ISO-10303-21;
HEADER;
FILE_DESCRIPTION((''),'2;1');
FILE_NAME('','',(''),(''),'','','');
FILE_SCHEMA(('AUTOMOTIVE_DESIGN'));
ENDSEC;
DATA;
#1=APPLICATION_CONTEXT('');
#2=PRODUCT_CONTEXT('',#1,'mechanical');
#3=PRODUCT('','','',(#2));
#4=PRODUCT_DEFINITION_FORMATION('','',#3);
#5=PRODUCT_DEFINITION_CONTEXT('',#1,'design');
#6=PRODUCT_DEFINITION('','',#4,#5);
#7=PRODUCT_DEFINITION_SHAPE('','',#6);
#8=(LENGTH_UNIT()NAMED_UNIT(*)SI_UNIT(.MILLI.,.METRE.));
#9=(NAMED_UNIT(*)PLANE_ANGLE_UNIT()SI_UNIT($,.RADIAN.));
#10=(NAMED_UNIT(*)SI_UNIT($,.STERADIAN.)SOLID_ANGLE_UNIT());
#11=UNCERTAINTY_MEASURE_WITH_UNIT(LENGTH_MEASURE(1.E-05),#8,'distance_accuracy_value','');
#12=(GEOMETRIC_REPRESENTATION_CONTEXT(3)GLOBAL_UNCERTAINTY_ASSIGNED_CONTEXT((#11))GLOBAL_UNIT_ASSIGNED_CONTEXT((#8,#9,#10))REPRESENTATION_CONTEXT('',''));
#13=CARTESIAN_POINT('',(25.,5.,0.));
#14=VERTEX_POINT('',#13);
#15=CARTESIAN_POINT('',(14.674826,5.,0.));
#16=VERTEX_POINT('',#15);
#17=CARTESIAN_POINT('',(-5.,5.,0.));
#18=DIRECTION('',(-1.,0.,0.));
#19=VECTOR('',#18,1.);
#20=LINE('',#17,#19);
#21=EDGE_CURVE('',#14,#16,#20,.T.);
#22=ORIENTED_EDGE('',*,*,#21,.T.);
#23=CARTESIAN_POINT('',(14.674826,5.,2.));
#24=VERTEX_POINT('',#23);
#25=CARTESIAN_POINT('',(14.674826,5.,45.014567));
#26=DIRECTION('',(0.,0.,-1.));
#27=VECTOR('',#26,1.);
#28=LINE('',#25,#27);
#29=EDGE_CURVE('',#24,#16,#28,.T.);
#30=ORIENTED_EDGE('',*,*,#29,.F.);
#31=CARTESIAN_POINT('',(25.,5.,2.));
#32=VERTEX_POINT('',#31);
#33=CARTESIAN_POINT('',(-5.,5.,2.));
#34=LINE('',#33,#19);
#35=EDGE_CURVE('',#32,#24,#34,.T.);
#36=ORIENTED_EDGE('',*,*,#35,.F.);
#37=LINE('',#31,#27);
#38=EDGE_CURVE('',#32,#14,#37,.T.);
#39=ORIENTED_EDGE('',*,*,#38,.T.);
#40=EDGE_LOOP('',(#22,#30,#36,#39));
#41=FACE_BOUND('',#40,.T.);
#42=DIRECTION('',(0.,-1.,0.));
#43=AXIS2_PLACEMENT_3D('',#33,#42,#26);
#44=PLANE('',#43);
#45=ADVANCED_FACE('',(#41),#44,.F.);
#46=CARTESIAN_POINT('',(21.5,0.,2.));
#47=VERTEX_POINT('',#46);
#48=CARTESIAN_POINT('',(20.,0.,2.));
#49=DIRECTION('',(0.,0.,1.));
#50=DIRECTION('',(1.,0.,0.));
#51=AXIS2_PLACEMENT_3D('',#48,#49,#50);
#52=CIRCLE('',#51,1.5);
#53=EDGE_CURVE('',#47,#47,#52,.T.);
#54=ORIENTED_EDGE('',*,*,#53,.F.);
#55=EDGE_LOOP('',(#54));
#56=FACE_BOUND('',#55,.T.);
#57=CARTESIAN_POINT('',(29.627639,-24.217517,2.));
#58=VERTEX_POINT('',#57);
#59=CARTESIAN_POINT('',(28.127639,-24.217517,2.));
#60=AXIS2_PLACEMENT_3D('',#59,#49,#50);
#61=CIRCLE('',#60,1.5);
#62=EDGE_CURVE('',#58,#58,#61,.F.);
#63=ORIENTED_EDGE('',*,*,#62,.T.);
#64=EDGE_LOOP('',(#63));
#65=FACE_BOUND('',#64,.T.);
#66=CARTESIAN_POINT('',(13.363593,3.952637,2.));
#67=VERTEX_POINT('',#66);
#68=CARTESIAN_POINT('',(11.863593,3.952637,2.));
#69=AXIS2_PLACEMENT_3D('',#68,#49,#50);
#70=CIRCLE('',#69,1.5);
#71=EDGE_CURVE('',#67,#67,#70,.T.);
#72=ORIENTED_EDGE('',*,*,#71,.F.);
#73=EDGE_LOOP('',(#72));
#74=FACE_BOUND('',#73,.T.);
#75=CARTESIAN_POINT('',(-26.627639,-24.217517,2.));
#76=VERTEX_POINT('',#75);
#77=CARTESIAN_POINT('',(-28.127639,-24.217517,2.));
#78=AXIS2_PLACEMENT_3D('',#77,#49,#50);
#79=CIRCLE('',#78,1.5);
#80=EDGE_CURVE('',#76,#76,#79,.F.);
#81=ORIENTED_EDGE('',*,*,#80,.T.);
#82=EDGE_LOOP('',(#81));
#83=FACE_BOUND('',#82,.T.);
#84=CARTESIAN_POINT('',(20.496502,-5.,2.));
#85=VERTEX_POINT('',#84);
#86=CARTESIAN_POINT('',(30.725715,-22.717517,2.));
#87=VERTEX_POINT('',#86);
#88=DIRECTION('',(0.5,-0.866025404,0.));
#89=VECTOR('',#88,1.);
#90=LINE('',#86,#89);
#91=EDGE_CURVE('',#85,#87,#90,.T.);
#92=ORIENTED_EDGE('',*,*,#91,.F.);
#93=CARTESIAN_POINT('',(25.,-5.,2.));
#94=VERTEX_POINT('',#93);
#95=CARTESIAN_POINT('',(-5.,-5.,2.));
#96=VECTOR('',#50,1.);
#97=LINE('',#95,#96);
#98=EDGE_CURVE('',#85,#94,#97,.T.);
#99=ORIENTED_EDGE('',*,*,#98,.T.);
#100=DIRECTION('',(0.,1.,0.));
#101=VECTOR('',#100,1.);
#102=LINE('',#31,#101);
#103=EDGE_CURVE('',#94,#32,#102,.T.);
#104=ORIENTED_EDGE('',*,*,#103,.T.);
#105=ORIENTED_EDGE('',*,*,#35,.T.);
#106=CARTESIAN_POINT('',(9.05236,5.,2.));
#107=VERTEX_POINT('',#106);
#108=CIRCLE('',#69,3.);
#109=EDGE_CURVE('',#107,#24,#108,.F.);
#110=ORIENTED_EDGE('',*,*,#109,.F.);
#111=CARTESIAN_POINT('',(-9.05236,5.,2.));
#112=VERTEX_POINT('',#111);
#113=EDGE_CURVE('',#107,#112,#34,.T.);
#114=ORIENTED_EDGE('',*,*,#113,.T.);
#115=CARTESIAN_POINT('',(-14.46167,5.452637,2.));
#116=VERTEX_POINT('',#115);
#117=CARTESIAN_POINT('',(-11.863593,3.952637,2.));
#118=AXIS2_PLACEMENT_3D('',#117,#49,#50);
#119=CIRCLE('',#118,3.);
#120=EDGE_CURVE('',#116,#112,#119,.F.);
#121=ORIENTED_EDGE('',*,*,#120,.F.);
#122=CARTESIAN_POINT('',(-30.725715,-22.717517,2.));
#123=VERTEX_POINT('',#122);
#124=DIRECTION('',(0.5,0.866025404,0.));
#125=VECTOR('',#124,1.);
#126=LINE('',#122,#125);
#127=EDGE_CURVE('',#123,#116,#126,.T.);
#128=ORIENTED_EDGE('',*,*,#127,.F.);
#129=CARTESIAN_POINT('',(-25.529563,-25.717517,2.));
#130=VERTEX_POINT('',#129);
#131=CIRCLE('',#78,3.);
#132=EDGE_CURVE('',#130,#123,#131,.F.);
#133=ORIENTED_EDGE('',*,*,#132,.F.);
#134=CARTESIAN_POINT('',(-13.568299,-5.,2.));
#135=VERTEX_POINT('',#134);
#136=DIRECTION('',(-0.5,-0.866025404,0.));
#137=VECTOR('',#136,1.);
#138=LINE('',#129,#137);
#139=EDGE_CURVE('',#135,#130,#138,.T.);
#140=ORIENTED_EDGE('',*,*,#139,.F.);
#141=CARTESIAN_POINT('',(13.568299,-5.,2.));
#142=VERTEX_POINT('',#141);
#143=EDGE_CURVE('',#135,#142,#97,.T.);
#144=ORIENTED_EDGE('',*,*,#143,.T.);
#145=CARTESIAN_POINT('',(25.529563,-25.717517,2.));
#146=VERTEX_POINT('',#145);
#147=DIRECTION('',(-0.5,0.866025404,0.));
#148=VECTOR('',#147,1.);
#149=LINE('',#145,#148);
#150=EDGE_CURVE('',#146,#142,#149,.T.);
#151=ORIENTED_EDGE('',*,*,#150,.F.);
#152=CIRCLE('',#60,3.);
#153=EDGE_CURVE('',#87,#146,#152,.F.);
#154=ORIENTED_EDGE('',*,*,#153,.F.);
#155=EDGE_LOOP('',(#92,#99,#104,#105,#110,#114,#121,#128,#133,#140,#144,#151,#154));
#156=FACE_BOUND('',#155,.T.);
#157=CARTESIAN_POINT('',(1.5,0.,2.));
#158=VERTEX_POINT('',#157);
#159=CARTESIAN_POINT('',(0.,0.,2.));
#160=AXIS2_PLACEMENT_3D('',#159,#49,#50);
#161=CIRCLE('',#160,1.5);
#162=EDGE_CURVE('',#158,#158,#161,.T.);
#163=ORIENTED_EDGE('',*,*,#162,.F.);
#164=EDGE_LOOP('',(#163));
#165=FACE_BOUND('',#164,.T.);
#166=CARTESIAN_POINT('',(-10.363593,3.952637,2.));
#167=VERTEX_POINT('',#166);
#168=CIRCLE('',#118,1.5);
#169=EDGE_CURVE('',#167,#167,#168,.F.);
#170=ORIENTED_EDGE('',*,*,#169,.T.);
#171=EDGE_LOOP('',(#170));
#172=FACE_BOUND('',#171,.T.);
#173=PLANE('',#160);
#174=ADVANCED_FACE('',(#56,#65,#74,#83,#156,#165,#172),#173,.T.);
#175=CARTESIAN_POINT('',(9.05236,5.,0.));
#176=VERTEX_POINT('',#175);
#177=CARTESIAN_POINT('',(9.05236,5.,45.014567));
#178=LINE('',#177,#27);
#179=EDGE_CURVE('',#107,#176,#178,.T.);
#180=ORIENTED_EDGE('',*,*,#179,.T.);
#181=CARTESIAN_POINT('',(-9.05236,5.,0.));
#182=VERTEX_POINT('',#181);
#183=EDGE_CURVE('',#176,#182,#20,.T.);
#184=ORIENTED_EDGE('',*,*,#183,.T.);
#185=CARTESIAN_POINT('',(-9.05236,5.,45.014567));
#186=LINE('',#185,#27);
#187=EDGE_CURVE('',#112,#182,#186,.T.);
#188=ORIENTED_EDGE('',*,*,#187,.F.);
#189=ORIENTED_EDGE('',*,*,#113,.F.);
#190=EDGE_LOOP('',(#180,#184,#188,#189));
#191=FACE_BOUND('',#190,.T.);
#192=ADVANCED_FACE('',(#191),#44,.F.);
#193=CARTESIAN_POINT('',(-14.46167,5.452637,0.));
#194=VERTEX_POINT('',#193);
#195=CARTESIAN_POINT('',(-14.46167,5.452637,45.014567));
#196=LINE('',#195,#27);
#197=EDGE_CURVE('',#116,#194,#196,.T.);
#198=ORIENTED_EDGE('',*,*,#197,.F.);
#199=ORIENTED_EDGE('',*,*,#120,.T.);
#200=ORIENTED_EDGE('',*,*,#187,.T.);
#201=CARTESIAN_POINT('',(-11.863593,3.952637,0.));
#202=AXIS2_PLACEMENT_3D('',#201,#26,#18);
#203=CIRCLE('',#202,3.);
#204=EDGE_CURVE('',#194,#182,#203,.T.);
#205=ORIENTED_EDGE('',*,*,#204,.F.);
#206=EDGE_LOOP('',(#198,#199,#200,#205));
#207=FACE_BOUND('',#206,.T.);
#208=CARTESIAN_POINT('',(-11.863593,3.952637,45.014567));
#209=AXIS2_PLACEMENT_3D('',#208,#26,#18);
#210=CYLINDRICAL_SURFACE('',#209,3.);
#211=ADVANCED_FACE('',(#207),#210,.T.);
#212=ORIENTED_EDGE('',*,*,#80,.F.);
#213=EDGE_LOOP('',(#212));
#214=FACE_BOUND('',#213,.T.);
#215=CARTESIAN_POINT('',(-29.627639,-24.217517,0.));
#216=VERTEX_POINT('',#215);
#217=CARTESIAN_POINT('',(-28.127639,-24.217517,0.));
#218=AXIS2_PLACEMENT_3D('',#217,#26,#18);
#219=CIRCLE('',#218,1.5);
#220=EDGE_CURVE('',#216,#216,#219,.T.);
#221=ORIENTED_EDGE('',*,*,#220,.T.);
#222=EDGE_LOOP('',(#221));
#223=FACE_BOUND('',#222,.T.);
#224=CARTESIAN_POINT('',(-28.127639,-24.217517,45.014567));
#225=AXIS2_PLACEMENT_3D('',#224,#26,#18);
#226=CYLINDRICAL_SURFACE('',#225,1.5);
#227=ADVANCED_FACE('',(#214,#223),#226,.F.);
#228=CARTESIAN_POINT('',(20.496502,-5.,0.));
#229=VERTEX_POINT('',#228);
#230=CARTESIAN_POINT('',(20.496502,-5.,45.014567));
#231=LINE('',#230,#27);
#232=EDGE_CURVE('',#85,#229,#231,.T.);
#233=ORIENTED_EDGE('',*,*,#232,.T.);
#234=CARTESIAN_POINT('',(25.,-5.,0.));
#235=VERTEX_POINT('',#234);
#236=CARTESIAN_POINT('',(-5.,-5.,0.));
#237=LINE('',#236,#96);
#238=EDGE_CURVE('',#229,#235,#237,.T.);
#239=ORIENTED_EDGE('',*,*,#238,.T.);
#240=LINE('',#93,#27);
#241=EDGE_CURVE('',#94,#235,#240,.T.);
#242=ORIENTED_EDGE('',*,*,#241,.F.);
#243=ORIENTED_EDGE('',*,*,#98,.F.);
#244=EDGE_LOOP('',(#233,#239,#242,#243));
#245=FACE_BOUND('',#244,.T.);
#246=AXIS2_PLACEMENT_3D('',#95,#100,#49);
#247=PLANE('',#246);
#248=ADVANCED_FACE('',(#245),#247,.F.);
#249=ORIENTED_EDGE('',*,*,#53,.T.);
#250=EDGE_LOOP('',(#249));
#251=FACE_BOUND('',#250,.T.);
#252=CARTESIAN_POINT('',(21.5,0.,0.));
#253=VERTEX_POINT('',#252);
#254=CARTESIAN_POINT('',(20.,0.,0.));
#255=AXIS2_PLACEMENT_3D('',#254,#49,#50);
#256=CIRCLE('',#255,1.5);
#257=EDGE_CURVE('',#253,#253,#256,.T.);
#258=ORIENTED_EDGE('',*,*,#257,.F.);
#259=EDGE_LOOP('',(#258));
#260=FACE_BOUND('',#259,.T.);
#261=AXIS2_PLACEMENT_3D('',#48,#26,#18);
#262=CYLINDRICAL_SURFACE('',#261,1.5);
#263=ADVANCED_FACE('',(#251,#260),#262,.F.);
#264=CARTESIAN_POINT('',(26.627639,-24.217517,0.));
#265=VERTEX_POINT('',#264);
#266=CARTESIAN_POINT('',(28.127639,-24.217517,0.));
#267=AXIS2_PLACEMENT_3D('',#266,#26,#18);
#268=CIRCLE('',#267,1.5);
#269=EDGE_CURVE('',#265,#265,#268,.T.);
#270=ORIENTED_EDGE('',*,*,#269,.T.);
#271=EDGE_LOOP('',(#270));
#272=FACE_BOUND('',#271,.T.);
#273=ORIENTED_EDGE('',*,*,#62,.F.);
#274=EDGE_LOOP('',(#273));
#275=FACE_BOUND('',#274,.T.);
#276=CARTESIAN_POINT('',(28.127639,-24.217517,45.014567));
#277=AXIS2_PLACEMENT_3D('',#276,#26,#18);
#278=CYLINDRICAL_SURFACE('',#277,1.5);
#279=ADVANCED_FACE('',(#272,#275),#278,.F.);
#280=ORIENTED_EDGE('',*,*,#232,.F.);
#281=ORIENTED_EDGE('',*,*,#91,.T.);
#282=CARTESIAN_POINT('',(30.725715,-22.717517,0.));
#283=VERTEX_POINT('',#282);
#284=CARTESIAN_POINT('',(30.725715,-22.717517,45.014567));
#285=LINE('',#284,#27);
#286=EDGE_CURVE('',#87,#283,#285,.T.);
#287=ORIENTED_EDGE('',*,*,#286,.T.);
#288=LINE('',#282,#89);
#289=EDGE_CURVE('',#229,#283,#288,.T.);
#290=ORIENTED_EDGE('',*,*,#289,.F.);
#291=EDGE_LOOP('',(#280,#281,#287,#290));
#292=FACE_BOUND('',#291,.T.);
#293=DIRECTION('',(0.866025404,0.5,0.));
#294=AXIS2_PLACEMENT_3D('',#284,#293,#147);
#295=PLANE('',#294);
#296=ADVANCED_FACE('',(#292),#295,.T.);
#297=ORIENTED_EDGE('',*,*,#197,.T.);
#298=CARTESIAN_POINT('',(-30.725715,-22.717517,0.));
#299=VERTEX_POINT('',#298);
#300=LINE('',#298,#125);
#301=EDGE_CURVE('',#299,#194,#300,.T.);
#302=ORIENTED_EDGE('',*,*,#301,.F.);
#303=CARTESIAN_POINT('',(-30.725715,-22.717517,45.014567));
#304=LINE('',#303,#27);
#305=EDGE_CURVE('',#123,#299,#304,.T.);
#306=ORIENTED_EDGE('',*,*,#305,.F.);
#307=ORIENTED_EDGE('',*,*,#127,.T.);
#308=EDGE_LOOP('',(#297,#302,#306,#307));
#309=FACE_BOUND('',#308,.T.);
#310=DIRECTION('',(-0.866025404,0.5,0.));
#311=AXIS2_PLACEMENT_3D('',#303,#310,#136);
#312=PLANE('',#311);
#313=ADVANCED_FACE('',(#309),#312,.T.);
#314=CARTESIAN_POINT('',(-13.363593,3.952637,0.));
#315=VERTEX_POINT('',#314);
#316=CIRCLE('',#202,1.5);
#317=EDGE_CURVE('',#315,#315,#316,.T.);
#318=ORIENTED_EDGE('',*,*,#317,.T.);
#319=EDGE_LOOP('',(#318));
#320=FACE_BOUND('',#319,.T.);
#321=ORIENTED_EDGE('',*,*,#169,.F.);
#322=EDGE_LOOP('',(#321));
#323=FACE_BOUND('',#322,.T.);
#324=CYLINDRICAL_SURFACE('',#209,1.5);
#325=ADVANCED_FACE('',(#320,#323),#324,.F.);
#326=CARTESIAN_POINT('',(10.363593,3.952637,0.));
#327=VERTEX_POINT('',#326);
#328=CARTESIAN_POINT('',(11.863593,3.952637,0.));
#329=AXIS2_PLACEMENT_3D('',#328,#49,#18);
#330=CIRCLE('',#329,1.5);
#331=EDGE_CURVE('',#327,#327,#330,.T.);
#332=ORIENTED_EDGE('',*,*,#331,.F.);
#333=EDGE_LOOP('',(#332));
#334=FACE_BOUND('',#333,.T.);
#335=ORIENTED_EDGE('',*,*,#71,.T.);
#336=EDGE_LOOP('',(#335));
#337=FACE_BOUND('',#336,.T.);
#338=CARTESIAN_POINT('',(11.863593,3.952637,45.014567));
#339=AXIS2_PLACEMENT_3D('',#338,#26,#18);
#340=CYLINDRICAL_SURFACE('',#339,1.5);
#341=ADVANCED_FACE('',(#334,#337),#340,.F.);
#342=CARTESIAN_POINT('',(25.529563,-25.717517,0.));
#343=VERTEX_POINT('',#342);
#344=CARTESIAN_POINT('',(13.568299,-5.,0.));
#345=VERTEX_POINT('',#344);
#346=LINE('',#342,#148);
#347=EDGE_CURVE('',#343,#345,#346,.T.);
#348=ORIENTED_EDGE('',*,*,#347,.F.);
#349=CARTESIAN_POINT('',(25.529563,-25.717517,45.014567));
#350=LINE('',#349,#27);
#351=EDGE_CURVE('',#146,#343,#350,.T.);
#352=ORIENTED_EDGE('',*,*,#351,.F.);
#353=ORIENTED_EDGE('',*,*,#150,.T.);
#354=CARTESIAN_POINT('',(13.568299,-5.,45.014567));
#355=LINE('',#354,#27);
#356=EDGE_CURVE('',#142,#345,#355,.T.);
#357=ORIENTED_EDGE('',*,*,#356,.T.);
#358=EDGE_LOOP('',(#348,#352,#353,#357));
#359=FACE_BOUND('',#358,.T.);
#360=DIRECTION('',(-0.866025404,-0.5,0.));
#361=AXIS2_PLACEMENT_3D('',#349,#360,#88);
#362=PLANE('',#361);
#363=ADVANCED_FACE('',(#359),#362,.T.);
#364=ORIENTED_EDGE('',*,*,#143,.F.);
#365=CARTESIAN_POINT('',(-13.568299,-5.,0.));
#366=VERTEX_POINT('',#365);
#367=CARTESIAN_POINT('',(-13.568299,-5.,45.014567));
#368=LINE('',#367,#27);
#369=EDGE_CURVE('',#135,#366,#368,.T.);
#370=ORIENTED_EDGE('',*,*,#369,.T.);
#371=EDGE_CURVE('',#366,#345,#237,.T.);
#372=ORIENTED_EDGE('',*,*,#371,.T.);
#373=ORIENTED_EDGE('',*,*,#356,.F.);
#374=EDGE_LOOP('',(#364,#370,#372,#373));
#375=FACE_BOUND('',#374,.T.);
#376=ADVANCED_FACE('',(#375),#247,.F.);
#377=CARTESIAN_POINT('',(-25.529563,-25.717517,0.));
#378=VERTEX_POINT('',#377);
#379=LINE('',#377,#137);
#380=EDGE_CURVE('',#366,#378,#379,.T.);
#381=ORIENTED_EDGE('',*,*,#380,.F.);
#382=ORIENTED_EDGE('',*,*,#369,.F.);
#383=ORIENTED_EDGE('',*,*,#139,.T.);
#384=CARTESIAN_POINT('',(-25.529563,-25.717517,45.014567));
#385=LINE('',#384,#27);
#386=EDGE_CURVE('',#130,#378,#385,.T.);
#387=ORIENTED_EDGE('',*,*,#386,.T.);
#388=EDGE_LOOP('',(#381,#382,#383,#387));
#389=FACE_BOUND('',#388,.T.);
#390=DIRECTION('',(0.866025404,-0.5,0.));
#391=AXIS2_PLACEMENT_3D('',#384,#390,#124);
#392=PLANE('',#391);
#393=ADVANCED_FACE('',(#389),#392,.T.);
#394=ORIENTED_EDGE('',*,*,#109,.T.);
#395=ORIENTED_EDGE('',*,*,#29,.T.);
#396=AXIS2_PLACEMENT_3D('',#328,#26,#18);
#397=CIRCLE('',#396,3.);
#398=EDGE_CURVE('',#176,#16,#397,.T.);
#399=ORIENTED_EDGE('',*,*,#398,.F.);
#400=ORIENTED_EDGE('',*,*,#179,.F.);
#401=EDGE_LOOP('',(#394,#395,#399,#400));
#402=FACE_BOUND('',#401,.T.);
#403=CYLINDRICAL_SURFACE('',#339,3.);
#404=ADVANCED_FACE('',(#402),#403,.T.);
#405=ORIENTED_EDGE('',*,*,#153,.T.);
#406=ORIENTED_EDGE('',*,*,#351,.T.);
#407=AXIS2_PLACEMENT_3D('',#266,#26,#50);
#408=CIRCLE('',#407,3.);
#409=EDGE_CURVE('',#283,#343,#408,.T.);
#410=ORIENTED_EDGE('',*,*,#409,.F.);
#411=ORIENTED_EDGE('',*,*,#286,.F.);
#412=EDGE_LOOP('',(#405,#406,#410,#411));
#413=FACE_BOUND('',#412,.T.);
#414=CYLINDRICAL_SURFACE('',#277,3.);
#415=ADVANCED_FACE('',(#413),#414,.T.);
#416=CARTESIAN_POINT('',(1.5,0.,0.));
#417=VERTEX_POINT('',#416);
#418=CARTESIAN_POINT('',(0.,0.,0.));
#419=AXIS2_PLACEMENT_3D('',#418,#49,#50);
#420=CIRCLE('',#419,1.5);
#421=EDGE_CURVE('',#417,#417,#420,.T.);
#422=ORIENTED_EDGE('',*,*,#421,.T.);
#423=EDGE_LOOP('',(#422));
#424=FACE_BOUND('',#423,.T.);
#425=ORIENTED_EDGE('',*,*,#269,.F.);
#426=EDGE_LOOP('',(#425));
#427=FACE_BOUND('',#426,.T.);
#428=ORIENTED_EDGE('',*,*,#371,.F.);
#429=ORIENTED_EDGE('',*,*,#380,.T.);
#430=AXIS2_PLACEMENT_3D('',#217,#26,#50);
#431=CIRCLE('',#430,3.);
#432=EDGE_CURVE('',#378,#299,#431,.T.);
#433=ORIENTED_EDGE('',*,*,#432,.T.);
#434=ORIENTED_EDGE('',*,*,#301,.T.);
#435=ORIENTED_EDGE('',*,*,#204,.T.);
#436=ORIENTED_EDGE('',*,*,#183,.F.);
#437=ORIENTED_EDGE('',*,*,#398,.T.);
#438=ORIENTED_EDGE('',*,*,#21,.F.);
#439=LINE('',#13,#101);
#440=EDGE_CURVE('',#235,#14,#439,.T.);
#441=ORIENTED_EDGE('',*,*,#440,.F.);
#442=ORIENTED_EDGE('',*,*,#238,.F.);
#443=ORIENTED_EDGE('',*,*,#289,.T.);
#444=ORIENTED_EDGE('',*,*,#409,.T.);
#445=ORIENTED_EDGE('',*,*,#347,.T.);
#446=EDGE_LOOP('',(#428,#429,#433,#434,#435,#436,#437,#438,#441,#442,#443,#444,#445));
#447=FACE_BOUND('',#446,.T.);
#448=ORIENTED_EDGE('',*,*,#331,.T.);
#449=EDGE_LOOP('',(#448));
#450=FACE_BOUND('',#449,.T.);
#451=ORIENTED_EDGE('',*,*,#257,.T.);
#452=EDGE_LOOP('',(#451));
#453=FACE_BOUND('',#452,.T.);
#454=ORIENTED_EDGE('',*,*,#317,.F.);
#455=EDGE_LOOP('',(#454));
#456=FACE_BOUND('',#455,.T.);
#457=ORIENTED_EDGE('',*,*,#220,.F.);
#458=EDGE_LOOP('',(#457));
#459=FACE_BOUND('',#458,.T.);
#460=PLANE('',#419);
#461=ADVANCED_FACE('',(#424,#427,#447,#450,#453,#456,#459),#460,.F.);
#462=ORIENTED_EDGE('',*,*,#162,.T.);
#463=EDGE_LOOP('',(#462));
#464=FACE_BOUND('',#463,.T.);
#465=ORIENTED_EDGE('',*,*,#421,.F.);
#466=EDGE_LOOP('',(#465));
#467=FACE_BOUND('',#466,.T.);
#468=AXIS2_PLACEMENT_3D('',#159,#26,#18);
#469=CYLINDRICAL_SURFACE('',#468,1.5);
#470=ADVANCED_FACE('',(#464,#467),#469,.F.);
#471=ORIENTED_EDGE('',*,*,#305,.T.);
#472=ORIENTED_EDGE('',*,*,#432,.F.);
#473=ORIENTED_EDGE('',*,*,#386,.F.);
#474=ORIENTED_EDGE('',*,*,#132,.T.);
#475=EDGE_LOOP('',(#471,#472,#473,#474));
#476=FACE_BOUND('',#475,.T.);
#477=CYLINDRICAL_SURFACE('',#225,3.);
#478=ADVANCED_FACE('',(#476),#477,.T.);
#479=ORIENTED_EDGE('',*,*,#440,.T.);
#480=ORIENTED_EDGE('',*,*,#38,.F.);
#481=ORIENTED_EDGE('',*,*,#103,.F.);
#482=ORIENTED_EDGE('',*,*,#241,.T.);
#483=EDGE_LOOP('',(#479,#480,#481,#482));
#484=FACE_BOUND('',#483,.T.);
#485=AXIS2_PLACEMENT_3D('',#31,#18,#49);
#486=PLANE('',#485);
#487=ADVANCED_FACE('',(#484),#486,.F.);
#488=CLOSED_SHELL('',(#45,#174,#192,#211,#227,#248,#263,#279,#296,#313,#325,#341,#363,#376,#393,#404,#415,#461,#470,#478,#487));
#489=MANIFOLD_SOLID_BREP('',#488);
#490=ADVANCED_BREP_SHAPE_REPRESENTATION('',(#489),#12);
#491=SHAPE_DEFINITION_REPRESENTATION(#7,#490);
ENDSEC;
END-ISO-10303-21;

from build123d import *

# Parameters (mm, degrees)
SKETCH_1_W          = 30
SKETCH_1_H          = 10
SKETCH_1_R          = 1.5
EXTRUDE_1_DEPTH     = 2
SKETCH_4_R          = 1.5
EXTRUDE_3_DEPTH     = 2
SKETCH_5_R          = 1.5
CUT_EXTRUDE_2_DEPTH = 42.397139466


with BuildPart() as part:
    # 草图1 → 凸台-拉伸1 (new body)
    with BuildSketch(Plane.XY):
        with Locations((10, 0)):
            Rectangle(SKETCH_1_W, SKETCH_1_H)
        Circle(SKETCH_1_R, mode=Mode.SUBTRACT)
        with Locations((20, 0)):
            Circle(SKETCH_1_R, mode=Mode.SUBTRACT)
    extrude(amount=EXTRUDE_1_DEPTH)

    # 草图4 → 凸台-拉伸3 (add)
    # profile 1 of 3: a face of its own
    with BuildSketch(Plane(origin=(0, 0, 0), x_dir=(-1, 0, 0), z_dir=(0, 0, -1))):
        with BuildLine():
            Line((-30.725715478, -22.717516962), (-20.496502291, -5))
            Line((-20.496502291, -5), (-13.568299061, -5))
            Line((-13.568299061, -5), (-25.529563056, -25.717516962))
            ThreePointArc((-25.529563056, -25.717516962), (-29.627639267, -26.815593174), (-30.725715478, -22.717516962))
        make_face()
        with Locations((-28.127639267, -24.217516962)):
            Circle(SKETCH_4_R, mode=Mode.SUBTRACT)
    # profile 2 of 3: a face of its own
    with BuildSketch(Plane(origin=(0, 0, 0), x_dir=(-1, 0, 0), z_dir=(0, 0, -1))):
        with BuildLine():
            Line((-14.674826287, 5), (-12.937385919, 5))
            ThreePointArc((-12.937385919, 5), (-11.863593392, 5.452636831), (-10.789800864, 5))
            Line((-10.789800864, 5), (-9.052360496, 5))
            ThreePointArc((-9.052360496, 5), (-11.863593392, 6.952636831), (-14.674826287, 5))
        make_face()
    # profile 3 of 3: a face of its own
    with BuildSketch(Plane(origin=(0, 0, 0), x_dir=(-1, 0, 0), z_dir=(0, 0, -1))):
        with BuildLine():
            Line((5, 5), (9.052360496, 5))
            ThreePointArc((9.052360496, 5), (11.613435505, 6.942188809), (14.461669603, 5.452636831))
            Line((14.461669603, 5.452636831), (30.725715478, -22.717516962))
            ThreePointArc((30.725715478, -22.717516962), (29.627639267, -26.815593174), (25.529563056, -25.717516962))
            Line((25.529563056, -25.717516962), (13.568299061, -5))
            Line((13.568299061, -5), (5, -5))
            Line((5, -5), (5, 5))
        make_face()
        with Locations((11.863593392, 3.952636831)):
            Circle(SKETCH_4_R, mode=Mode.SUBTRACT)
        with Locations((28.127639267, -24.217516962)):
            Circle(SKETCH_4_R, mode=Mode.SUBTRACT)
    extrude(amount=-EXTRUDE_3_DEPTH)

    # 草图5 → 切除-拉伸2 (cut, through all)
    with BuildSketch(Plane(origin=(0, 0, 0), x_dir=(-1, 0, 0), z_dir=(0, 0, -1))):
        with Locations((-11.863593392, 3.952636831)):
            Circle(SKETCH_5_R)
    extrude(amount=-CUT_EXTRUDE_2_DEPTH, mode=Mode.SUBTRACT)


solid = part.part
